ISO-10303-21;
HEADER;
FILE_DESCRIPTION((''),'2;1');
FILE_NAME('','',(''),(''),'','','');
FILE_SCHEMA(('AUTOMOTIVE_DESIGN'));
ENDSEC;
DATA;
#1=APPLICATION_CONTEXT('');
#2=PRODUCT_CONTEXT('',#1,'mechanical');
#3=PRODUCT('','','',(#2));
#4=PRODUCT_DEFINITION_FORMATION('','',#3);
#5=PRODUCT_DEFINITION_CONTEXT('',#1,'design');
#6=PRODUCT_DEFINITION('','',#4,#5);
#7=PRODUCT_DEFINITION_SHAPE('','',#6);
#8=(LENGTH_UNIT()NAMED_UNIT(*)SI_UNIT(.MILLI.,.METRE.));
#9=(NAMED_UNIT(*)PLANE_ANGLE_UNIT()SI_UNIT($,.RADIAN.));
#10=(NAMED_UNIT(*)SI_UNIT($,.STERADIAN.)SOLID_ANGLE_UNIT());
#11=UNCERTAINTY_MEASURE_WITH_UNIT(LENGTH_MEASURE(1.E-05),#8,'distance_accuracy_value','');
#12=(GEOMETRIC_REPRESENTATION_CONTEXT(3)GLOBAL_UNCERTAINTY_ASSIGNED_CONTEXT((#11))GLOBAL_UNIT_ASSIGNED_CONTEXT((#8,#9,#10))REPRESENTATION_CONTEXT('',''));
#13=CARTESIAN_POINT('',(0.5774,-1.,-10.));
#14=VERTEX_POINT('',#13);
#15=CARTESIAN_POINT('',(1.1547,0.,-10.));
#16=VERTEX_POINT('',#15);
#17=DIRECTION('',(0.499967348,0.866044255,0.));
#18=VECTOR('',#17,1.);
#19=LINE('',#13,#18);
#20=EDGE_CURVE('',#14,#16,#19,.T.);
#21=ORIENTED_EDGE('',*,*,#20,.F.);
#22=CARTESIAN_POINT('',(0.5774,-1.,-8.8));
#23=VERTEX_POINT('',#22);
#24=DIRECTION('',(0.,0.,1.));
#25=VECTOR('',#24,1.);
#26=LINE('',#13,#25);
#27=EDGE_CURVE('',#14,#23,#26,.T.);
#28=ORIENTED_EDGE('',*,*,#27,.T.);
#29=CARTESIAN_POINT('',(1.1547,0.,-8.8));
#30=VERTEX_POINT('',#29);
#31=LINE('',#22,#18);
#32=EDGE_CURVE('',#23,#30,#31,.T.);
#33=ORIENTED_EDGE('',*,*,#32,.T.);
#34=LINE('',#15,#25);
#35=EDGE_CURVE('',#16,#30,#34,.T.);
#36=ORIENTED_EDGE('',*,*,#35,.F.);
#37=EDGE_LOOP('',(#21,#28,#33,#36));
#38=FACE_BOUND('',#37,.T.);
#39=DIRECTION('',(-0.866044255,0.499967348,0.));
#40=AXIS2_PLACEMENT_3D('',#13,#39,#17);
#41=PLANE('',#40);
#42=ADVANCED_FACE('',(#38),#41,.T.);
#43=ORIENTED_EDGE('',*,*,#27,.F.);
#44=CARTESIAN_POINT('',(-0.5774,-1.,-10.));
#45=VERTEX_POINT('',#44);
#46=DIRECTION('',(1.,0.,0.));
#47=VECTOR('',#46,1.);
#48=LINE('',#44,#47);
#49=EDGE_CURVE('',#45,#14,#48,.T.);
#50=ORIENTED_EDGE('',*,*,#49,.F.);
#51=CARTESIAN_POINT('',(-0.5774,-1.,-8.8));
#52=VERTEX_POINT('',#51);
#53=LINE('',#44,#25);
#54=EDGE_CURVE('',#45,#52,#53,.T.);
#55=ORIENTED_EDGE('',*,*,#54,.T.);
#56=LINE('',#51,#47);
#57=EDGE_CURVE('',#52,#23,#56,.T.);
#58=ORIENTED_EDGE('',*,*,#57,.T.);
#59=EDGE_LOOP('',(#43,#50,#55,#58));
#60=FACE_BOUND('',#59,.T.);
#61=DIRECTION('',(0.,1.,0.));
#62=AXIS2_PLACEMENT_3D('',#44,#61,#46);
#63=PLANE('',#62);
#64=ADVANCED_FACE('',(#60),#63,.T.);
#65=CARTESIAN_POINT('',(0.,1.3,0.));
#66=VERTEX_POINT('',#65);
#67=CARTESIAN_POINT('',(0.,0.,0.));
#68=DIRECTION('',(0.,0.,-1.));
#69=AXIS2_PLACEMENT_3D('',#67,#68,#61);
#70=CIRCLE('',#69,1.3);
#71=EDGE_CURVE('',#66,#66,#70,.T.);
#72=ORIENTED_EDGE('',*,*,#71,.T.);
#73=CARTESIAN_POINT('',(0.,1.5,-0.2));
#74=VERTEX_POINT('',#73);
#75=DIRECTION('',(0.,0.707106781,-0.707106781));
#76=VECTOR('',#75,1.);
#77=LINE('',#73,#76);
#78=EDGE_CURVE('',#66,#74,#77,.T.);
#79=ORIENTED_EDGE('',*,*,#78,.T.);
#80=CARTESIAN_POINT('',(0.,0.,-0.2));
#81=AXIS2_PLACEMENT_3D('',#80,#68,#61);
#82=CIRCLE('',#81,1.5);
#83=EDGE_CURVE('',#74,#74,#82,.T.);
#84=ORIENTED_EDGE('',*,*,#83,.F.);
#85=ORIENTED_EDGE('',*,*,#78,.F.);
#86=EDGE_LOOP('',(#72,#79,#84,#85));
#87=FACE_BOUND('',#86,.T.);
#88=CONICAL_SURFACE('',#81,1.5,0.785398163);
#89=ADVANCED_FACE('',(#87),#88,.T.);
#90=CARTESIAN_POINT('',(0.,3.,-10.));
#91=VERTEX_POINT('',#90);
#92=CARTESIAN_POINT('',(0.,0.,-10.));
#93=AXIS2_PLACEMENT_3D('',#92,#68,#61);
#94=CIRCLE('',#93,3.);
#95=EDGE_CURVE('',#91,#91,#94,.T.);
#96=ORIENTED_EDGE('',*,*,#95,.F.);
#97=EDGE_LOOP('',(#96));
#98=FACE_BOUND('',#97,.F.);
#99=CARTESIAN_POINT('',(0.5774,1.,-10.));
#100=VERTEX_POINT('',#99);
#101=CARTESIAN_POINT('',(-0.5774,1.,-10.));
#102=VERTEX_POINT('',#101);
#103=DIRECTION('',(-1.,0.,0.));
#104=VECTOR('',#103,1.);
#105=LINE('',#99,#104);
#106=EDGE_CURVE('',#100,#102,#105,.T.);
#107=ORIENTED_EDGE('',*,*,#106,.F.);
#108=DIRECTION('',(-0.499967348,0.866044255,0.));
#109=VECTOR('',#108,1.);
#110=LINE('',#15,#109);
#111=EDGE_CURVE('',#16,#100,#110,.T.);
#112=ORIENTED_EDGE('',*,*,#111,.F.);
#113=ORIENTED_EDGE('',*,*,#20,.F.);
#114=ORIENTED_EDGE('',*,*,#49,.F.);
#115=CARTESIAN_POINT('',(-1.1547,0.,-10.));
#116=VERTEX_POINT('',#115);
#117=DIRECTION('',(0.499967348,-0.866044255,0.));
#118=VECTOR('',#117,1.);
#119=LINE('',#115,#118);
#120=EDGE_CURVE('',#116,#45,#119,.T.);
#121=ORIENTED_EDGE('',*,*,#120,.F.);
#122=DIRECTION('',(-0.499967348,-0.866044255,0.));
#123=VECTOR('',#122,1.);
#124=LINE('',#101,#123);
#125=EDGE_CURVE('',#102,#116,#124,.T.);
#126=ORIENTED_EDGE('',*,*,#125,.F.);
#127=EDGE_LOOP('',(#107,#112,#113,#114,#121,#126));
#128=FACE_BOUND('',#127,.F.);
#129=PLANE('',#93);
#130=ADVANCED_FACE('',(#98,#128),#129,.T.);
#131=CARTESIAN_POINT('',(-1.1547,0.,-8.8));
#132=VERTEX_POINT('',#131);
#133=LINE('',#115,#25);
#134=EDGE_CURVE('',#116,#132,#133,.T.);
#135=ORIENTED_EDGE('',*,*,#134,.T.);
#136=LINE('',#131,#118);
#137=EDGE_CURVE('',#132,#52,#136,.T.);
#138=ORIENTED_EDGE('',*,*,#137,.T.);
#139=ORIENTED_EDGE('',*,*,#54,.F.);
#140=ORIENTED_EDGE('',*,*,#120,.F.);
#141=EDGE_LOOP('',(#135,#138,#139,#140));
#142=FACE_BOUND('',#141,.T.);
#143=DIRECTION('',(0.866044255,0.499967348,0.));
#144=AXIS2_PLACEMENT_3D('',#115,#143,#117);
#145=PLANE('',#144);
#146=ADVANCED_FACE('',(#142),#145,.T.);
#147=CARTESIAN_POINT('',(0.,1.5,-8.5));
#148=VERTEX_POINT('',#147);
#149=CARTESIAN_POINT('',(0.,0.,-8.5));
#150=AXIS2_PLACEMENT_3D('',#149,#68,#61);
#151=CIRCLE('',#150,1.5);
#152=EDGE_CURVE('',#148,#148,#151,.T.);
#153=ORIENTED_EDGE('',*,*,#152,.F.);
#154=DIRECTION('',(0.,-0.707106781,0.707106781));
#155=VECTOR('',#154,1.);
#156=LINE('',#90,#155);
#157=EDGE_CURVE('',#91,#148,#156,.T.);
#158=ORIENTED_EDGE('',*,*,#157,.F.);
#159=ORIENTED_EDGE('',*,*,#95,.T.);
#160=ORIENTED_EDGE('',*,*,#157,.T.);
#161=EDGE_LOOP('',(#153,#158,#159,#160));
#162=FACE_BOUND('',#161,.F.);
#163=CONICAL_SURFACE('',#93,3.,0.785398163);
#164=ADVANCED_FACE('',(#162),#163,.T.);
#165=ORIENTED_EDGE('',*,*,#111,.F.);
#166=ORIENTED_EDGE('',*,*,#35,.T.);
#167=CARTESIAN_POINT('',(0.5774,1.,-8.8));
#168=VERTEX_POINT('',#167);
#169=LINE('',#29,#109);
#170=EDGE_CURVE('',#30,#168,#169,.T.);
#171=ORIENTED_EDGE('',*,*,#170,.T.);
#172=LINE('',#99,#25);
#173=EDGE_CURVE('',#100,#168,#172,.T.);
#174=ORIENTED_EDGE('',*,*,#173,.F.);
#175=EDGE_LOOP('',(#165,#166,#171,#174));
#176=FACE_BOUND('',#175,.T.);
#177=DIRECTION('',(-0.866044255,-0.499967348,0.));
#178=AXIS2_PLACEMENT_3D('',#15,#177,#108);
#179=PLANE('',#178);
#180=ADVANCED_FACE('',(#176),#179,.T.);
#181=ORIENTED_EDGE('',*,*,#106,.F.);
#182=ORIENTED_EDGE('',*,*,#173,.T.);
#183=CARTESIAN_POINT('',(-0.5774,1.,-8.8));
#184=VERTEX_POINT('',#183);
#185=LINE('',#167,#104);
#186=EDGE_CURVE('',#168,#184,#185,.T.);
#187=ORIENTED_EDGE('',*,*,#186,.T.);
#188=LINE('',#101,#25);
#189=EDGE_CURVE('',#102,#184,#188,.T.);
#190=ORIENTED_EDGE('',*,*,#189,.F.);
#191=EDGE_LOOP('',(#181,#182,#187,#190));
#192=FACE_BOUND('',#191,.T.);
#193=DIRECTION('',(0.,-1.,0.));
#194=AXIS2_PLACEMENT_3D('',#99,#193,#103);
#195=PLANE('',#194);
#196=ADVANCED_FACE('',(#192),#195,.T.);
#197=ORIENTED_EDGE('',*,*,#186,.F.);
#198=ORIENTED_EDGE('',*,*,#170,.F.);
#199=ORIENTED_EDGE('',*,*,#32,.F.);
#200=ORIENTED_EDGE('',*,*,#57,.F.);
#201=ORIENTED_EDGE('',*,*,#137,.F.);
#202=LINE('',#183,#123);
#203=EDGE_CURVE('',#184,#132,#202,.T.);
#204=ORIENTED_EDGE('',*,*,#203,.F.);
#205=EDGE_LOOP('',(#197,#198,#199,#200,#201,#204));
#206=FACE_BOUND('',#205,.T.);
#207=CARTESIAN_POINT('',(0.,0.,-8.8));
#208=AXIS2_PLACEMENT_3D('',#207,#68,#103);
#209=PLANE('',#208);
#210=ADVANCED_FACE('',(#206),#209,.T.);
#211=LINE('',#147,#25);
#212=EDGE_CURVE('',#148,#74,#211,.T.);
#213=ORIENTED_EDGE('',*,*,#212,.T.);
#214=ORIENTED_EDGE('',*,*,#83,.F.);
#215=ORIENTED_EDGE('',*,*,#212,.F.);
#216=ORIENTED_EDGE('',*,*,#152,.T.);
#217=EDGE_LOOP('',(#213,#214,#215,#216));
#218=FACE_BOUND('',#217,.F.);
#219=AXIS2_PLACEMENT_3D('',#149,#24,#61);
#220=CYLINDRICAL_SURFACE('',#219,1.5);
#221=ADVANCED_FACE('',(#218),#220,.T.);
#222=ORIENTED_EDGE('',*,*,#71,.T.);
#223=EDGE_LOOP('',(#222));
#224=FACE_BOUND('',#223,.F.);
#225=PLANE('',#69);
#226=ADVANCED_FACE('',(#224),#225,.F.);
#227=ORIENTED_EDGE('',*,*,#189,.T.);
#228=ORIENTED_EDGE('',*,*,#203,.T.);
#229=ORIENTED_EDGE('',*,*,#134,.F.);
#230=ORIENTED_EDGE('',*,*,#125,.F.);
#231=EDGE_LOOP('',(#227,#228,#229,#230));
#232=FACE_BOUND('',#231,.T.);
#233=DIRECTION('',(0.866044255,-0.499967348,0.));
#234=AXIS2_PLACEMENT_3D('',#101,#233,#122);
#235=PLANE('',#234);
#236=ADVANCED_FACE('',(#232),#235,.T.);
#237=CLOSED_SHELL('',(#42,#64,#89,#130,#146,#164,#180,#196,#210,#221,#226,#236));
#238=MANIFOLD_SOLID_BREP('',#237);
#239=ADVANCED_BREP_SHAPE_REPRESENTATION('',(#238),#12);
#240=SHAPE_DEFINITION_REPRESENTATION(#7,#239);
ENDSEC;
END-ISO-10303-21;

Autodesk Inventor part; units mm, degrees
ref_plane "YZ Plane" through (0, 0, 0) normal (1, 0, 0) x (0, 1, 0)
ref_plane "XZ Plane" through (0, 0, 0) normal (0, 1, 0) x (-1, 0, 0)
ref_plane "XY Plane" through (0, 0, 0) normal (0, 0, 1) x (1, 0, 0)
sketch "Sketch1" plane through (0, 0, 0) normal (1, 0, 0) x (0, 1, 0)
  line L0 (0, 0) -> (0, -10)
  line L1 (0, -10) -> (3, -10)
  line L2 (3, -10) -> (1.5, -8.5)
  line L3 (1.5, -8.5) -> (1.5, 0)
  line L4 (1.5, 0) -> (0, 0)
  dimension "d0" = 6
  dimension "d1" = 10
  dimension "d2" = 45
  dimension "d3" = 3
revolve "Revolution1" add sketch "Sketch1" angle 360 about axis through (0, 0, 0) along (0, 0, -1)
chamfer "Chamfer1" distance 0.2 angle 45 1 edges at (0, -1.5, 0)
thread "Thread1" size "M3x0.5" class "6g" standard "ANSI Metric M Profile" full length
sketch "Sketch2" plane through (0, 0, -10) normal (0, 0, -1) x (-1, 0, 0)
  circle A0 centre (0, 0) radius 1.3 projected
  line L0 (1.1547, 0) -> (0.5774, -1)
  line L1 (0.5774, -1) -> (-0.5774, -1)
  line L2 (-0.5774, -1) -> (-1.1547, 0)
  line L3 (-1.1547, 0) -> (-0.5774, 1)
  line L4 (-0.5774, 1) -> (0.5774, 1)
  line L5 (0.5774, 1) -> (1.1547, 0)
  dimension "d10" = 2
extrude "Extrusion1" cut sketch "Sketch2" against normal blind 1.2 contours L0 L1 L2 L3 L4 L5
properties part number "M3 x 10mm FHCS"
